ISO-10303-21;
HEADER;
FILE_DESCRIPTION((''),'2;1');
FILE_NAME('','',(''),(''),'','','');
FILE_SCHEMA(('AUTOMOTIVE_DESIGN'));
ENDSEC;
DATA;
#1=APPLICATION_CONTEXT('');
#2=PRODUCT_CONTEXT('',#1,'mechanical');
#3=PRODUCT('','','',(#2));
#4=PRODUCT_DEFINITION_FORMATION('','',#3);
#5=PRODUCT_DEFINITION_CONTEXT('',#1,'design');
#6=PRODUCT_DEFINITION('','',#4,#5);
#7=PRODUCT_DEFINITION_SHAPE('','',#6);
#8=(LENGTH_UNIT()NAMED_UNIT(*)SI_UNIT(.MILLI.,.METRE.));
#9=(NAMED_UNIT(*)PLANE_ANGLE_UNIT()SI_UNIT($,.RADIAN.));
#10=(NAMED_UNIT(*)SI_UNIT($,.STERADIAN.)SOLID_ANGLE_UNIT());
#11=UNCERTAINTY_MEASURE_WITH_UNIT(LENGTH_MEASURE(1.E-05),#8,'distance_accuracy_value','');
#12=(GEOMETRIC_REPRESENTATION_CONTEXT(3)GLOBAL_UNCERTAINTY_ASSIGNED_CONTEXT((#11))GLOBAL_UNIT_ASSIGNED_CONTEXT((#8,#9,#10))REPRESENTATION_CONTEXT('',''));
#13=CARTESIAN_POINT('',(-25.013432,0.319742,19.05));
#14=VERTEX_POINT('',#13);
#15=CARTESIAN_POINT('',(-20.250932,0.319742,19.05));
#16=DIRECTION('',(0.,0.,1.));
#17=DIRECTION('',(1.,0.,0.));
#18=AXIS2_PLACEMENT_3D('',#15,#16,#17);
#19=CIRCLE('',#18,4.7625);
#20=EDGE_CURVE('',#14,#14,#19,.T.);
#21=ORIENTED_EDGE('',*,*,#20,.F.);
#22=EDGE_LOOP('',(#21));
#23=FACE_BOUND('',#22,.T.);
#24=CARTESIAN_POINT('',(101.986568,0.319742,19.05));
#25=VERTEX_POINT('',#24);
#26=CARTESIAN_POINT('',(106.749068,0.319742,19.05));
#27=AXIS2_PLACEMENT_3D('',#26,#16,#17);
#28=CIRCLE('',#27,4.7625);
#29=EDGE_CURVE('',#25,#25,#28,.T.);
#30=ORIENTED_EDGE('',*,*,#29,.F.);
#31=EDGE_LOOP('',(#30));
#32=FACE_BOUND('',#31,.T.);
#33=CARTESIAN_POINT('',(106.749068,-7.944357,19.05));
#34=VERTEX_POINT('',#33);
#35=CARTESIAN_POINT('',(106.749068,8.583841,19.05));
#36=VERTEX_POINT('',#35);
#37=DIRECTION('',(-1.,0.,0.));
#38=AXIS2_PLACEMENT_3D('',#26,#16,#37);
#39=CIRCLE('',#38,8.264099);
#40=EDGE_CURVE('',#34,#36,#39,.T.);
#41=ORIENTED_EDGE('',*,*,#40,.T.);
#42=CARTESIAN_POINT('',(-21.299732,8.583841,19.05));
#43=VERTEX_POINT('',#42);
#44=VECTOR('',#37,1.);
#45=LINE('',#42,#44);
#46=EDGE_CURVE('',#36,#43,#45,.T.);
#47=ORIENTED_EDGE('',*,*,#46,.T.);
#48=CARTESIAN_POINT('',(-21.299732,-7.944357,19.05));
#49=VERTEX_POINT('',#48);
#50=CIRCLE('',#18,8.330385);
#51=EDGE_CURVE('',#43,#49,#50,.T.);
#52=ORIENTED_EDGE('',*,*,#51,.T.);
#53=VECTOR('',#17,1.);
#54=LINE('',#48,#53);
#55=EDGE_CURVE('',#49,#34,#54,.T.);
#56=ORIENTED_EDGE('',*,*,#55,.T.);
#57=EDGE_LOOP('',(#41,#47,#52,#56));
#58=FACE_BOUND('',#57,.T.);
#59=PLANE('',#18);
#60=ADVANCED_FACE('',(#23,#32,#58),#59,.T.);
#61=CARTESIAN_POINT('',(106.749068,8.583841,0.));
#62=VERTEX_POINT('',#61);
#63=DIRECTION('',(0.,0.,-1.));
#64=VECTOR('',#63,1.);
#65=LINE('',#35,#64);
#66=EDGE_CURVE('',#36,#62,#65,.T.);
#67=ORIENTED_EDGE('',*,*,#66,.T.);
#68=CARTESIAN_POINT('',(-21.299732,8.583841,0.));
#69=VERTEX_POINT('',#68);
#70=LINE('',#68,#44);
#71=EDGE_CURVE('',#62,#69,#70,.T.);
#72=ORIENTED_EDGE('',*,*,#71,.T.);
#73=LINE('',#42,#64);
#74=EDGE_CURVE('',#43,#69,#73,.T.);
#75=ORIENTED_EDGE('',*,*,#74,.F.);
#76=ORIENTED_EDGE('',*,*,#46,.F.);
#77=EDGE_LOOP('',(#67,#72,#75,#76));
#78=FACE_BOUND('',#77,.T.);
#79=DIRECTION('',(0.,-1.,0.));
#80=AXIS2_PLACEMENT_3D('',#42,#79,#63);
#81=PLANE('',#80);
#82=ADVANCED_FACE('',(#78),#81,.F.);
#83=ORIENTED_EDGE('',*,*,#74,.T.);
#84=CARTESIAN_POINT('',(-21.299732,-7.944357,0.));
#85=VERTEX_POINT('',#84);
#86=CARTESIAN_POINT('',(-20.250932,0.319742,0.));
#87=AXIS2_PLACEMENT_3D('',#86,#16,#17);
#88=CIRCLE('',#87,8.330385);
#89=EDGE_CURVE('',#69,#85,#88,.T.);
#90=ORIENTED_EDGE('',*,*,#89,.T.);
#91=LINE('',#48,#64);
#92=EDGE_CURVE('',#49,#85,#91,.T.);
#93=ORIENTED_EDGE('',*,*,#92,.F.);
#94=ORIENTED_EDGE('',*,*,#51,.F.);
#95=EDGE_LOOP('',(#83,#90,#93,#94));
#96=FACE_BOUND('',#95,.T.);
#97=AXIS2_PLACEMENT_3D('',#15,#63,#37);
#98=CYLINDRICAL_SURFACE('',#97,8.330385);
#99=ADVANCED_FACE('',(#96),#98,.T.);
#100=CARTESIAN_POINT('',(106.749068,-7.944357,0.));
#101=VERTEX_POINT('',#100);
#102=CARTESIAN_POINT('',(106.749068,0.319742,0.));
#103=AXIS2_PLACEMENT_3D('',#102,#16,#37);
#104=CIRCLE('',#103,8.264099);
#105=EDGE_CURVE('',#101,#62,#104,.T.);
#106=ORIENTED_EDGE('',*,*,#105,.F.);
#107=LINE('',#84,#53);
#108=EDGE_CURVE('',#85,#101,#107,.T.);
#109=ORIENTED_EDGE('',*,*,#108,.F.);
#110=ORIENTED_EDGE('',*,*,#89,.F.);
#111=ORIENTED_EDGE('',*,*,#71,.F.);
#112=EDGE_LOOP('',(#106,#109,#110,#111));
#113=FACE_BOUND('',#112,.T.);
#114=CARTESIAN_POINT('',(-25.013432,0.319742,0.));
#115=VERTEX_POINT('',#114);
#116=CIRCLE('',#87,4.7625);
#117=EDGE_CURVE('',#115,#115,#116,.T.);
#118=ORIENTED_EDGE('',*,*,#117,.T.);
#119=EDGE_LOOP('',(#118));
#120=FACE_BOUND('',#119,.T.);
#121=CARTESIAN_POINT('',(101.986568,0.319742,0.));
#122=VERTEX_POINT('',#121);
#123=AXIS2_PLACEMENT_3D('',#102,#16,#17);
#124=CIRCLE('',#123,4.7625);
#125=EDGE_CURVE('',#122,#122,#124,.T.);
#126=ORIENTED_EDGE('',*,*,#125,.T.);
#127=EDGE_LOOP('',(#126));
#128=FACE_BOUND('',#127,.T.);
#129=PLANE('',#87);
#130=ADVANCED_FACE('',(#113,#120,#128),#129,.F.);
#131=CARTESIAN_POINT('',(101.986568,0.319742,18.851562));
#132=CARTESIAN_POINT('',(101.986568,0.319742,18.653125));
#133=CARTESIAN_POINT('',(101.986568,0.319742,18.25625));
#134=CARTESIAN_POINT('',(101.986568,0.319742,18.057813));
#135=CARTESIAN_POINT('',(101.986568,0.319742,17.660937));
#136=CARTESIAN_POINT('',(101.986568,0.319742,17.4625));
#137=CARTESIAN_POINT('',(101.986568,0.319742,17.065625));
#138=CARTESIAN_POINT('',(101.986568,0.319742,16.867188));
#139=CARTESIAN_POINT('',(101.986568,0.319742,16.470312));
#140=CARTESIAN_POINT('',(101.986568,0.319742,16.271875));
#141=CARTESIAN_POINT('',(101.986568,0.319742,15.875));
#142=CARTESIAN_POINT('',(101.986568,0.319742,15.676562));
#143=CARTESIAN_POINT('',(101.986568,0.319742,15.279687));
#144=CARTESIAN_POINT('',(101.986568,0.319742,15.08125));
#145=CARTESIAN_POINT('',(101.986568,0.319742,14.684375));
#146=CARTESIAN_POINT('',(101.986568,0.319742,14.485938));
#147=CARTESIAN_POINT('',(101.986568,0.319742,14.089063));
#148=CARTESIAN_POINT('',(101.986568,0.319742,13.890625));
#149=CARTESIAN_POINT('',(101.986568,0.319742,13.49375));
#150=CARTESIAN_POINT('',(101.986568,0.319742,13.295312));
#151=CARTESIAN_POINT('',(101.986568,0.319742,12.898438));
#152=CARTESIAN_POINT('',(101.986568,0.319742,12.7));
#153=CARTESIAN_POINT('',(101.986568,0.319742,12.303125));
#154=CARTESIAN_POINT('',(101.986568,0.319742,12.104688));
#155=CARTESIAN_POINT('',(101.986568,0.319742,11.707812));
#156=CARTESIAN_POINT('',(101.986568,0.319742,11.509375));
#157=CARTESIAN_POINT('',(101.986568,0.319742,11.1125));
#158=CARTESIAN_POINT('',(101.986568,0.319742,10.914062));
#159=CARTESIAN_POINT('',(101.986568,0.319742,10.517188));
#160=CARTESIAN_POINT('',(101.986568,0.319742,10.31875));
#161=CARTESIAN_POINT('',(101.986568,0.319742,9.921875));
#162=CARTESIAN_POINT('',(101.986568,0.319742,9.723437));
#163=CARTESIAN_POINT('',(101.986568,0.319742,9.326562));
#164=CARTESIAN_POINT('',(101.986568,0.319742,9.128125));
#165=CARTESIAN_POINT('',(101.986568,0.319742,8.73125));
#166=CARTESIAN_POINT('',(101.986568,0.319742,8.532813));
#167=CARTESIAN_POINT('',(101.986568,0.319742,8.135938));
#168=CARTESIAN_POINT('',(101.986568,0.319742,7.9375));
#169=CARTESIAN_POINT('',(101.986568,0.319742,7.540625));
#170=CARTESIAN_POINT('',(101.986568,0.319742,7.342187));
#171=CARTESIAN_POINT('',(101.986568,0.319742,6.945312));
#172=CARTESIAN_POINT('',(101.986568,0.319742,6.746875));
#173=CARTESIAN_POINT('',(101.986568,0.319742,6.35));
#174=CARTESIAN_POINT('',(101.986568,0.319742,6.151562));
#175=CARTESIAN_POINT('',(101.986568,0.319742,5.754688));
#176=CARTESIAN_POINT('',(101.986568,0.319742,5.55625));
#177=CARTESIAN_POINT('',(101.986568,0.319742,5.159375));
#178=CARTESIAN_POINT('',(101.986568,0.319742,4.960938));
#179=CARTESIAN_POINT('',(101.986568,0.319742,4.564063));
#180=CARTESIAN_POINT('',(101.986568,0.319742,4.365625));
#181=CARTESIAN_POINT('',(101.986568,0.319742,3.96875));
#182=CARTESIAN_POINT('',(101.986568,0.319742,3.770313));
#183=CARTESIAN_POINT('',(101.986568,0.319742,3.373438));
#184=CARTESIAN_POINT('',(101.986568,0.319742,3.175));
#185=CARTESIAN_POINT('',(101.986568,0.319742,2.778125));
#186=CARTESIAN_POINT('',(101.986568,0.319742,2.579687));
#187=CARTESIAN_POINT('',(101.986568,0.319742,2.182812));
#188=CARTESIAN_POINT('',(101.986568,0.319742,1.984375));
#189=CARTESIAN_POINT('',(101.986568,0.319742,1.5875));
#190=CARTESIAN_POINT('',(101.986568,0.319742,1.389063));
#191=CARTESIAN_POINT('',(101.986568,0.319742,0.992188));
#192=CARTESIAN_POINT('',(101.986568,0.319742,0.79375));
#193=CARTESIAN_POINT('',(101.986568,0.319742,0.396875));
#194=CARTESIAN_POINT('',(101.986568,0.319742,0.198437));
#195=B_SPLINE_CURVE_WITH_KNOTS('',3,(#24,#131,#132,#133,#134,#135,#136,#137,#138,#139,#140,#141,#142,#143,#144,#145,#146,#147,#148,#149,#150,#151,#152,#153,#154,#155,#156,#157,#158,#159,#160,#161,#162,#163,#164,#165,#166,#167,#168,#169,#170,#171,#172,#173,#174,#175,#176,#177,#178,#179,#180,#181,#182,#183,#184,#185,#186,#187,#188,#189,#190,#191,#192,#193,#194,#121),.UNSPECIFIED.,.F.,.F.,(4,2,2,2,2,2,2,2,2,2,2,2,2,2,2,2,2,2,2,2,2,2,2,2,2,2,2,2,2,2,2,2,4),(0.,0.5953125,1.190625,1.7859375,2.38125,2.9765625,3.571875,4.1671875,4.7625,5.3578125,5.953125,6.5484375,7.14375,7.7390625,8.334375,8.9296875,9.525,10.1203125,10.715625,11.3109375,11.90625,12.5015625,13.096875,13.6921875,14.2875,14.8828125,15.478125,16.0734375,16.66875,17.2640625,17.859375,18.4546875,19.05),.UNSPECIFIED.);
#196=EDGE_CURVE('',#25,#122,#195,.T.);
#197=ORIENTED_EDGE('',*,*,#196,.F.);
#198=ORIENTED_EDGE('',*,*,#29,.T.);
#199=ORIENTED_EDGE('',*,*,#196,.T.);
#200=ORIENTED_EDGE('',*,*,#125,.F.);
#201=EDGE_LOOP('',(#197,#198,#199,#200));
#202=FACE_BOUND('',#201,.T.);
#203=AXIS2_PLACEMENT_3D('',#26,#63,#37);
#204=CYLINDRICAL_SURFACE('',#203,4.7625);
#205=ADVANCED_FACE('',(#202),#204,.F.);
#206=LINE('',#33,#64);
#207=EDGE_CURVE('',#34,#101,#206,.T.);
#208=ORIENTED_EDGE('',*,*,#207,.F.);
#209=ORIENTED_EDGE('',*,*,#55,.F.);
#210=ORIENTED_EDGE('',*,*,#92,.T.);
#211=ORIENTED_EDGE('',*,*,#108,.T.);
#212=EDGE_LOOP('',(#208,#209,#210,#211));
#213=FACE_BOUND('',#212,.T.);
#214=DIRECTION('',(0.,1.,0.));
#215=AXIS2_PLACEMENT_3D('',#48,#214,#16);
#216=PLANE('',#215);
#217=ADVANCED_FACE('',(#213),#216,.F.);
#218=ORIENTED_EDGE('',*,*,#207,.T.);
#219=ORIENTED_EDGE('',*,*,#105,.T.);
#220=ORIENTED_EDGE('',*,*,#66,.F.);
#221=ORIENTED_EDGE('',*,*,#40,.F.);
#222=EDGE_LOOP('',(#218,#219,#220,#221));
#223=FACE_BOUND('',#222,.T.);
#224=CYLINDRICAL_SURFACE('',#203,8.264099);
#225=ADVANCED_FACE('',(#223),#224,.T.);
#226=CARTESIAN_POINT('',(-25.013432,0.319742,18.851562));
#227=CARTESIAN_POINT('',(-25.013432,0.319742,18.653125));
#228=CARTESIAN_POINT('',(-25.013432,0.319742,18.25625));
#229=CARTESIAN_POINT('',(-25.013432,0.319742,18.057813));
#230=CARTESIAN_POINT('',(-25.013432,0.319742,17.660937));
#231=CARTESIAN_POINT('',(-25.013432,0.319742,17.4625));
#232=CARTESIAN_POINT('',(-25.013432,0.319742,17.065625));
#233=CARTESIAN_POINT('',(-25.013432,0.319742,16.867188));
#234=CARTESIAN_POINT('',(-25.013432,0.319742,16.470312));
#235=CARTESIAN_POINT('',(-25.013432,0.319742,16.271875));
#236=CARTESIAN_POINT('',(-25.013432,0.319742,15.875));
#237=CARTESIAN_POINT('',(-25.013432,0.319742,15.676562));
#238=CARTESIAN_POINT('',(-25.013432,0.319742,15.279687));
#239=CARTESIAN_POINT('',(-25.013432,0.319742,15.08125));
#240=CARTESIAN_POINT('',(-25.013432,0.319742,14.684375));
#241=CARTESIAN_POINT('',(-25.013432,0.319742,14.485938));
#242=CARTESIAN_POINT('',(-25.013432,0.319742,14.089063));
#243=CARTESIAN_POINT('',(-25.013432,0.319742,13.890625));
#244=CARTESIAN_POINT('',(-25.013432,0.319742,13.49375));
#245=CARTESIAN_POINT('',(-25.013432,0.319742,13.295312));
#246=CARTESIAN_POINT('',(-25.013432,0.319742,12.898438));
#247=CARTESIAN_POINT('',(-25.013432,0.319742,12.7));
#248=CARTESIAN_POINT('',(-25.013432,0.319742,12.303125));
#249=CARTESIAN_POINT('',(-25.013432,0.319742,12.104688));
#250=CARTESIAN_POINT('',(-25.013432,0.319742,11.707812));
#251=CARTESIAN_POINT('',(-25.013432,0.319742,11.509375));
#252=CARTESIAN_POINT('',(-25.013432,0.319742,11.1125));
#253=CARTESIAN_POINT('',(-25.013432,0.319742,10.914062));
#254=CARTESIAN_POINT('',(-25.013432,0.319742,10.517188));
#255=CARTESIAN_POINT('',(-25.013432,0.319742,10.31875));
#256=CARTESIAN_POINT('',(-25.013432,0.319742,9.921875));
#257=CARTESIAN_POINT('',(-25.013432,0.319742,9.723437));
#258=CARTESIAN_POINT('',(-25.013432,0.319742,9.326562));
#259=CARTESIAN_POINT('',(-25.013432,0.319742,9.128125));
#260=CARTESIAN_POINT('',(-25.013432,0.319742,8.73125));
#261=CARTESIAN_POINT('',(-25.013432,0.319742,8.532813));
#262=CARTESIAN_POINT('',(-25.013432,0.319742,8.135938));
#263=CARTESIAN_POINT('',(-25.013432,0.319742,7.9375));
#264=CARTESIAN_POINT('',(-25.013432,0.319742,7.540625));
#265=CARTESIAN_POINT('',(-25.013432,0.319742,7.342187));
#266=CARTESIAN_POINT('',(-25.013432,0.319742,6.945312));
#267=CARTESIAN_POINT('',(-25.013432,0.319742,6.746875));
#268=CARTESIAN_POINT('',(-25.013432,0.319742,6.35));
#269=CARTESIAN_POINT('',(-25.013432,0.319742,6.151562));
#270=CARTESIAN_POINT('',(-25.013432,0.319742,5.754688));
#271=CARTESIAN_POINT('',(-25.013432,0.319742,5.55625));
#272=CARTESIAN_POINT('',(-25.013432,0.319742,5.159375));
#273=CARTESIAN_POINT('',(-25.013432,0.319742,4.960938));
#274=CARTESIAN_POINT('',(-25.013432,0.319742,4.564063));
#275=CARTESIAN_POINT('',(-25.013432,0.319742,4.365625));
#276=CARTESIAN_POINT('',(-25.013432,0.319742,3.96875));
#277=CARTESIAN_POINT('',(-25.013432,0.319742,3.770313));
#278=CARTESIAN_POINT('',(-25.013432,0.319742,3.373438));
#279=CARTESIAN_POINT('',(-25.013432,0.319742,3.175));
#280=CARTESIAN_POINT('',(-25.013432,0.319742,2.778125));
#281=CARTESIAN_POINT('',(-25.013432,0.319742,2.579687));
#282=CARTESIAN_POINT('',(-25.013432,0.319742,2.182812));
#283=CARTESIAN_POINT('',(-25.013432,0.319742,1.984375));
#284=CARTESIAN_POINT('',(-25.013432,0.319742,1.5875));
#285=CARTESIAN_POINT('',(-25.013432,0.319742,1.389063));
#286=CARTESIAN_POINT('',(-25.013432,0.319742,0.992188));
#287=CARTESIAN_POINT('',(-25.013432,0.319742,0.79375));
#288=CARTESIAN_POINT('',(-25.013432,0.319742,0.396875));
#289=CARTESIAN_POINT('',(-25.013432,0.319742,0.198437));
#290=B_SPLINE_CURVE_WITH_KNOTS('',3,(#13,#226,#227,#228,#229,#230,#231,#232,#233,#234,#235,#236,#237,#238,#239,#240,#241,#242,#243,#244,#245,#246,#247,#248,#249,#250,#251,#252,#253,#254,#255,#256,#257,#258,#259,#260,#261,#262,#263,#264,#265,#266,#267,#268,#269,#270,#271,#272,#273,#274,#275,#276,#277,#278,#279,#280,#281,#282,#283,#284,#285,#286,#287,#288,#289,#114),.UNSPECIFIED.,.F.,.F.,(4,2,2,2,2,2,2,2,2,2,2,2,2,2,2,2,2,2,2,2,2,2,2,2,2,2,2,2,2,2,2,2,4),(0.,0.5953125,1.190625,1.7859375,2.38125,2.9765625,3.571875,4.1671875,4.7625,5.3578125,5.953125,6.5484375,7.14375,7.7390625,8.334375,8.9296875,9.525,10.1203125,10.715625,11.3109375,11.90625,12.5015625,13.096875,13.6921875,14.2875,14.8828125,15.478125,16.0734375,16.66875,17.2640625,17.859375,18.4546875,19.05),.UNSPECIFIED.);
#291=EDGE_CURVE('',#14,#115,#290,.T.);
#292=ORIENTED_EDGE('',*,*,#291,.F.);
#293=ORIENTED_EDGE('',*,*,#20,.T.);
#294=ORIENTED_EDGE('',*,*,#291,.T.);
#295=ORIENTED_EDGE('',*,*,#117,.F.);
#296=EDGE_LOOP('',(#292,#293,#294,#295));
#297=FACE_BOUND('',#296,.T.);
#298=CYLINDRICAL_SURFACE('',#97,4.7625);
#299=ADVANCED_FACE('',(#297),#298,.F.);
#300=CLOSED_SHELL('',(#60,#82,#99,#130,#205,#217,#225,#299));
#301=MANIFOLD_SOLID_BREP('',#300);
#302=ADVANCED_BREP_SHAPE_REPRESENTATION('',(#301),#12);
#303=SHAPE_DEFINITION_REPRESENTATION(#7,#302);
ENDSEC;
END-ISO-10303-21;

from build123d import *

# Parameters (mm, degrees)
SKETCH1_R           = 4.7625
BOSS_EXTRUDE1_DEPTH = 19.05


with BuildPart() as part:
    # Sketch1 → Boss-Extrude1 (new body)
    with BuildSketch(Plane.XY):
        with BuildLine():
            Line((-21.299732353, 8.583841329), (106.749067745, 8.583841329))
            ThreePointArc((106.749067745, 8.583841329), (115.013167133, 0.319741941), (106.749067745, -7.944357448))
            Line((106.749067745, -7.944357448), (-21.299732353, -7.944357448))
            ThreePointArc((-21.299732353, -7.944357448), (-28.581317621, 0.319741941), (-21.299732353, 8.583841329))
        make_face()
        with Locations(Location((-20.250932255, 0.319741941, 0), (0, 0, 180))):
            Circle(SKETCH1_R, mode=Mode.SUBTRACT)
        with Locations(Location((106.749067745, 0.319741941, 0), (0, 0, 180))):
            Circle(SKETCH1_R, mode=Mode.SUBTRACT)
    extrude(amount=BOSS_EXTRUDE1_DEPTH)


solid = part.part
